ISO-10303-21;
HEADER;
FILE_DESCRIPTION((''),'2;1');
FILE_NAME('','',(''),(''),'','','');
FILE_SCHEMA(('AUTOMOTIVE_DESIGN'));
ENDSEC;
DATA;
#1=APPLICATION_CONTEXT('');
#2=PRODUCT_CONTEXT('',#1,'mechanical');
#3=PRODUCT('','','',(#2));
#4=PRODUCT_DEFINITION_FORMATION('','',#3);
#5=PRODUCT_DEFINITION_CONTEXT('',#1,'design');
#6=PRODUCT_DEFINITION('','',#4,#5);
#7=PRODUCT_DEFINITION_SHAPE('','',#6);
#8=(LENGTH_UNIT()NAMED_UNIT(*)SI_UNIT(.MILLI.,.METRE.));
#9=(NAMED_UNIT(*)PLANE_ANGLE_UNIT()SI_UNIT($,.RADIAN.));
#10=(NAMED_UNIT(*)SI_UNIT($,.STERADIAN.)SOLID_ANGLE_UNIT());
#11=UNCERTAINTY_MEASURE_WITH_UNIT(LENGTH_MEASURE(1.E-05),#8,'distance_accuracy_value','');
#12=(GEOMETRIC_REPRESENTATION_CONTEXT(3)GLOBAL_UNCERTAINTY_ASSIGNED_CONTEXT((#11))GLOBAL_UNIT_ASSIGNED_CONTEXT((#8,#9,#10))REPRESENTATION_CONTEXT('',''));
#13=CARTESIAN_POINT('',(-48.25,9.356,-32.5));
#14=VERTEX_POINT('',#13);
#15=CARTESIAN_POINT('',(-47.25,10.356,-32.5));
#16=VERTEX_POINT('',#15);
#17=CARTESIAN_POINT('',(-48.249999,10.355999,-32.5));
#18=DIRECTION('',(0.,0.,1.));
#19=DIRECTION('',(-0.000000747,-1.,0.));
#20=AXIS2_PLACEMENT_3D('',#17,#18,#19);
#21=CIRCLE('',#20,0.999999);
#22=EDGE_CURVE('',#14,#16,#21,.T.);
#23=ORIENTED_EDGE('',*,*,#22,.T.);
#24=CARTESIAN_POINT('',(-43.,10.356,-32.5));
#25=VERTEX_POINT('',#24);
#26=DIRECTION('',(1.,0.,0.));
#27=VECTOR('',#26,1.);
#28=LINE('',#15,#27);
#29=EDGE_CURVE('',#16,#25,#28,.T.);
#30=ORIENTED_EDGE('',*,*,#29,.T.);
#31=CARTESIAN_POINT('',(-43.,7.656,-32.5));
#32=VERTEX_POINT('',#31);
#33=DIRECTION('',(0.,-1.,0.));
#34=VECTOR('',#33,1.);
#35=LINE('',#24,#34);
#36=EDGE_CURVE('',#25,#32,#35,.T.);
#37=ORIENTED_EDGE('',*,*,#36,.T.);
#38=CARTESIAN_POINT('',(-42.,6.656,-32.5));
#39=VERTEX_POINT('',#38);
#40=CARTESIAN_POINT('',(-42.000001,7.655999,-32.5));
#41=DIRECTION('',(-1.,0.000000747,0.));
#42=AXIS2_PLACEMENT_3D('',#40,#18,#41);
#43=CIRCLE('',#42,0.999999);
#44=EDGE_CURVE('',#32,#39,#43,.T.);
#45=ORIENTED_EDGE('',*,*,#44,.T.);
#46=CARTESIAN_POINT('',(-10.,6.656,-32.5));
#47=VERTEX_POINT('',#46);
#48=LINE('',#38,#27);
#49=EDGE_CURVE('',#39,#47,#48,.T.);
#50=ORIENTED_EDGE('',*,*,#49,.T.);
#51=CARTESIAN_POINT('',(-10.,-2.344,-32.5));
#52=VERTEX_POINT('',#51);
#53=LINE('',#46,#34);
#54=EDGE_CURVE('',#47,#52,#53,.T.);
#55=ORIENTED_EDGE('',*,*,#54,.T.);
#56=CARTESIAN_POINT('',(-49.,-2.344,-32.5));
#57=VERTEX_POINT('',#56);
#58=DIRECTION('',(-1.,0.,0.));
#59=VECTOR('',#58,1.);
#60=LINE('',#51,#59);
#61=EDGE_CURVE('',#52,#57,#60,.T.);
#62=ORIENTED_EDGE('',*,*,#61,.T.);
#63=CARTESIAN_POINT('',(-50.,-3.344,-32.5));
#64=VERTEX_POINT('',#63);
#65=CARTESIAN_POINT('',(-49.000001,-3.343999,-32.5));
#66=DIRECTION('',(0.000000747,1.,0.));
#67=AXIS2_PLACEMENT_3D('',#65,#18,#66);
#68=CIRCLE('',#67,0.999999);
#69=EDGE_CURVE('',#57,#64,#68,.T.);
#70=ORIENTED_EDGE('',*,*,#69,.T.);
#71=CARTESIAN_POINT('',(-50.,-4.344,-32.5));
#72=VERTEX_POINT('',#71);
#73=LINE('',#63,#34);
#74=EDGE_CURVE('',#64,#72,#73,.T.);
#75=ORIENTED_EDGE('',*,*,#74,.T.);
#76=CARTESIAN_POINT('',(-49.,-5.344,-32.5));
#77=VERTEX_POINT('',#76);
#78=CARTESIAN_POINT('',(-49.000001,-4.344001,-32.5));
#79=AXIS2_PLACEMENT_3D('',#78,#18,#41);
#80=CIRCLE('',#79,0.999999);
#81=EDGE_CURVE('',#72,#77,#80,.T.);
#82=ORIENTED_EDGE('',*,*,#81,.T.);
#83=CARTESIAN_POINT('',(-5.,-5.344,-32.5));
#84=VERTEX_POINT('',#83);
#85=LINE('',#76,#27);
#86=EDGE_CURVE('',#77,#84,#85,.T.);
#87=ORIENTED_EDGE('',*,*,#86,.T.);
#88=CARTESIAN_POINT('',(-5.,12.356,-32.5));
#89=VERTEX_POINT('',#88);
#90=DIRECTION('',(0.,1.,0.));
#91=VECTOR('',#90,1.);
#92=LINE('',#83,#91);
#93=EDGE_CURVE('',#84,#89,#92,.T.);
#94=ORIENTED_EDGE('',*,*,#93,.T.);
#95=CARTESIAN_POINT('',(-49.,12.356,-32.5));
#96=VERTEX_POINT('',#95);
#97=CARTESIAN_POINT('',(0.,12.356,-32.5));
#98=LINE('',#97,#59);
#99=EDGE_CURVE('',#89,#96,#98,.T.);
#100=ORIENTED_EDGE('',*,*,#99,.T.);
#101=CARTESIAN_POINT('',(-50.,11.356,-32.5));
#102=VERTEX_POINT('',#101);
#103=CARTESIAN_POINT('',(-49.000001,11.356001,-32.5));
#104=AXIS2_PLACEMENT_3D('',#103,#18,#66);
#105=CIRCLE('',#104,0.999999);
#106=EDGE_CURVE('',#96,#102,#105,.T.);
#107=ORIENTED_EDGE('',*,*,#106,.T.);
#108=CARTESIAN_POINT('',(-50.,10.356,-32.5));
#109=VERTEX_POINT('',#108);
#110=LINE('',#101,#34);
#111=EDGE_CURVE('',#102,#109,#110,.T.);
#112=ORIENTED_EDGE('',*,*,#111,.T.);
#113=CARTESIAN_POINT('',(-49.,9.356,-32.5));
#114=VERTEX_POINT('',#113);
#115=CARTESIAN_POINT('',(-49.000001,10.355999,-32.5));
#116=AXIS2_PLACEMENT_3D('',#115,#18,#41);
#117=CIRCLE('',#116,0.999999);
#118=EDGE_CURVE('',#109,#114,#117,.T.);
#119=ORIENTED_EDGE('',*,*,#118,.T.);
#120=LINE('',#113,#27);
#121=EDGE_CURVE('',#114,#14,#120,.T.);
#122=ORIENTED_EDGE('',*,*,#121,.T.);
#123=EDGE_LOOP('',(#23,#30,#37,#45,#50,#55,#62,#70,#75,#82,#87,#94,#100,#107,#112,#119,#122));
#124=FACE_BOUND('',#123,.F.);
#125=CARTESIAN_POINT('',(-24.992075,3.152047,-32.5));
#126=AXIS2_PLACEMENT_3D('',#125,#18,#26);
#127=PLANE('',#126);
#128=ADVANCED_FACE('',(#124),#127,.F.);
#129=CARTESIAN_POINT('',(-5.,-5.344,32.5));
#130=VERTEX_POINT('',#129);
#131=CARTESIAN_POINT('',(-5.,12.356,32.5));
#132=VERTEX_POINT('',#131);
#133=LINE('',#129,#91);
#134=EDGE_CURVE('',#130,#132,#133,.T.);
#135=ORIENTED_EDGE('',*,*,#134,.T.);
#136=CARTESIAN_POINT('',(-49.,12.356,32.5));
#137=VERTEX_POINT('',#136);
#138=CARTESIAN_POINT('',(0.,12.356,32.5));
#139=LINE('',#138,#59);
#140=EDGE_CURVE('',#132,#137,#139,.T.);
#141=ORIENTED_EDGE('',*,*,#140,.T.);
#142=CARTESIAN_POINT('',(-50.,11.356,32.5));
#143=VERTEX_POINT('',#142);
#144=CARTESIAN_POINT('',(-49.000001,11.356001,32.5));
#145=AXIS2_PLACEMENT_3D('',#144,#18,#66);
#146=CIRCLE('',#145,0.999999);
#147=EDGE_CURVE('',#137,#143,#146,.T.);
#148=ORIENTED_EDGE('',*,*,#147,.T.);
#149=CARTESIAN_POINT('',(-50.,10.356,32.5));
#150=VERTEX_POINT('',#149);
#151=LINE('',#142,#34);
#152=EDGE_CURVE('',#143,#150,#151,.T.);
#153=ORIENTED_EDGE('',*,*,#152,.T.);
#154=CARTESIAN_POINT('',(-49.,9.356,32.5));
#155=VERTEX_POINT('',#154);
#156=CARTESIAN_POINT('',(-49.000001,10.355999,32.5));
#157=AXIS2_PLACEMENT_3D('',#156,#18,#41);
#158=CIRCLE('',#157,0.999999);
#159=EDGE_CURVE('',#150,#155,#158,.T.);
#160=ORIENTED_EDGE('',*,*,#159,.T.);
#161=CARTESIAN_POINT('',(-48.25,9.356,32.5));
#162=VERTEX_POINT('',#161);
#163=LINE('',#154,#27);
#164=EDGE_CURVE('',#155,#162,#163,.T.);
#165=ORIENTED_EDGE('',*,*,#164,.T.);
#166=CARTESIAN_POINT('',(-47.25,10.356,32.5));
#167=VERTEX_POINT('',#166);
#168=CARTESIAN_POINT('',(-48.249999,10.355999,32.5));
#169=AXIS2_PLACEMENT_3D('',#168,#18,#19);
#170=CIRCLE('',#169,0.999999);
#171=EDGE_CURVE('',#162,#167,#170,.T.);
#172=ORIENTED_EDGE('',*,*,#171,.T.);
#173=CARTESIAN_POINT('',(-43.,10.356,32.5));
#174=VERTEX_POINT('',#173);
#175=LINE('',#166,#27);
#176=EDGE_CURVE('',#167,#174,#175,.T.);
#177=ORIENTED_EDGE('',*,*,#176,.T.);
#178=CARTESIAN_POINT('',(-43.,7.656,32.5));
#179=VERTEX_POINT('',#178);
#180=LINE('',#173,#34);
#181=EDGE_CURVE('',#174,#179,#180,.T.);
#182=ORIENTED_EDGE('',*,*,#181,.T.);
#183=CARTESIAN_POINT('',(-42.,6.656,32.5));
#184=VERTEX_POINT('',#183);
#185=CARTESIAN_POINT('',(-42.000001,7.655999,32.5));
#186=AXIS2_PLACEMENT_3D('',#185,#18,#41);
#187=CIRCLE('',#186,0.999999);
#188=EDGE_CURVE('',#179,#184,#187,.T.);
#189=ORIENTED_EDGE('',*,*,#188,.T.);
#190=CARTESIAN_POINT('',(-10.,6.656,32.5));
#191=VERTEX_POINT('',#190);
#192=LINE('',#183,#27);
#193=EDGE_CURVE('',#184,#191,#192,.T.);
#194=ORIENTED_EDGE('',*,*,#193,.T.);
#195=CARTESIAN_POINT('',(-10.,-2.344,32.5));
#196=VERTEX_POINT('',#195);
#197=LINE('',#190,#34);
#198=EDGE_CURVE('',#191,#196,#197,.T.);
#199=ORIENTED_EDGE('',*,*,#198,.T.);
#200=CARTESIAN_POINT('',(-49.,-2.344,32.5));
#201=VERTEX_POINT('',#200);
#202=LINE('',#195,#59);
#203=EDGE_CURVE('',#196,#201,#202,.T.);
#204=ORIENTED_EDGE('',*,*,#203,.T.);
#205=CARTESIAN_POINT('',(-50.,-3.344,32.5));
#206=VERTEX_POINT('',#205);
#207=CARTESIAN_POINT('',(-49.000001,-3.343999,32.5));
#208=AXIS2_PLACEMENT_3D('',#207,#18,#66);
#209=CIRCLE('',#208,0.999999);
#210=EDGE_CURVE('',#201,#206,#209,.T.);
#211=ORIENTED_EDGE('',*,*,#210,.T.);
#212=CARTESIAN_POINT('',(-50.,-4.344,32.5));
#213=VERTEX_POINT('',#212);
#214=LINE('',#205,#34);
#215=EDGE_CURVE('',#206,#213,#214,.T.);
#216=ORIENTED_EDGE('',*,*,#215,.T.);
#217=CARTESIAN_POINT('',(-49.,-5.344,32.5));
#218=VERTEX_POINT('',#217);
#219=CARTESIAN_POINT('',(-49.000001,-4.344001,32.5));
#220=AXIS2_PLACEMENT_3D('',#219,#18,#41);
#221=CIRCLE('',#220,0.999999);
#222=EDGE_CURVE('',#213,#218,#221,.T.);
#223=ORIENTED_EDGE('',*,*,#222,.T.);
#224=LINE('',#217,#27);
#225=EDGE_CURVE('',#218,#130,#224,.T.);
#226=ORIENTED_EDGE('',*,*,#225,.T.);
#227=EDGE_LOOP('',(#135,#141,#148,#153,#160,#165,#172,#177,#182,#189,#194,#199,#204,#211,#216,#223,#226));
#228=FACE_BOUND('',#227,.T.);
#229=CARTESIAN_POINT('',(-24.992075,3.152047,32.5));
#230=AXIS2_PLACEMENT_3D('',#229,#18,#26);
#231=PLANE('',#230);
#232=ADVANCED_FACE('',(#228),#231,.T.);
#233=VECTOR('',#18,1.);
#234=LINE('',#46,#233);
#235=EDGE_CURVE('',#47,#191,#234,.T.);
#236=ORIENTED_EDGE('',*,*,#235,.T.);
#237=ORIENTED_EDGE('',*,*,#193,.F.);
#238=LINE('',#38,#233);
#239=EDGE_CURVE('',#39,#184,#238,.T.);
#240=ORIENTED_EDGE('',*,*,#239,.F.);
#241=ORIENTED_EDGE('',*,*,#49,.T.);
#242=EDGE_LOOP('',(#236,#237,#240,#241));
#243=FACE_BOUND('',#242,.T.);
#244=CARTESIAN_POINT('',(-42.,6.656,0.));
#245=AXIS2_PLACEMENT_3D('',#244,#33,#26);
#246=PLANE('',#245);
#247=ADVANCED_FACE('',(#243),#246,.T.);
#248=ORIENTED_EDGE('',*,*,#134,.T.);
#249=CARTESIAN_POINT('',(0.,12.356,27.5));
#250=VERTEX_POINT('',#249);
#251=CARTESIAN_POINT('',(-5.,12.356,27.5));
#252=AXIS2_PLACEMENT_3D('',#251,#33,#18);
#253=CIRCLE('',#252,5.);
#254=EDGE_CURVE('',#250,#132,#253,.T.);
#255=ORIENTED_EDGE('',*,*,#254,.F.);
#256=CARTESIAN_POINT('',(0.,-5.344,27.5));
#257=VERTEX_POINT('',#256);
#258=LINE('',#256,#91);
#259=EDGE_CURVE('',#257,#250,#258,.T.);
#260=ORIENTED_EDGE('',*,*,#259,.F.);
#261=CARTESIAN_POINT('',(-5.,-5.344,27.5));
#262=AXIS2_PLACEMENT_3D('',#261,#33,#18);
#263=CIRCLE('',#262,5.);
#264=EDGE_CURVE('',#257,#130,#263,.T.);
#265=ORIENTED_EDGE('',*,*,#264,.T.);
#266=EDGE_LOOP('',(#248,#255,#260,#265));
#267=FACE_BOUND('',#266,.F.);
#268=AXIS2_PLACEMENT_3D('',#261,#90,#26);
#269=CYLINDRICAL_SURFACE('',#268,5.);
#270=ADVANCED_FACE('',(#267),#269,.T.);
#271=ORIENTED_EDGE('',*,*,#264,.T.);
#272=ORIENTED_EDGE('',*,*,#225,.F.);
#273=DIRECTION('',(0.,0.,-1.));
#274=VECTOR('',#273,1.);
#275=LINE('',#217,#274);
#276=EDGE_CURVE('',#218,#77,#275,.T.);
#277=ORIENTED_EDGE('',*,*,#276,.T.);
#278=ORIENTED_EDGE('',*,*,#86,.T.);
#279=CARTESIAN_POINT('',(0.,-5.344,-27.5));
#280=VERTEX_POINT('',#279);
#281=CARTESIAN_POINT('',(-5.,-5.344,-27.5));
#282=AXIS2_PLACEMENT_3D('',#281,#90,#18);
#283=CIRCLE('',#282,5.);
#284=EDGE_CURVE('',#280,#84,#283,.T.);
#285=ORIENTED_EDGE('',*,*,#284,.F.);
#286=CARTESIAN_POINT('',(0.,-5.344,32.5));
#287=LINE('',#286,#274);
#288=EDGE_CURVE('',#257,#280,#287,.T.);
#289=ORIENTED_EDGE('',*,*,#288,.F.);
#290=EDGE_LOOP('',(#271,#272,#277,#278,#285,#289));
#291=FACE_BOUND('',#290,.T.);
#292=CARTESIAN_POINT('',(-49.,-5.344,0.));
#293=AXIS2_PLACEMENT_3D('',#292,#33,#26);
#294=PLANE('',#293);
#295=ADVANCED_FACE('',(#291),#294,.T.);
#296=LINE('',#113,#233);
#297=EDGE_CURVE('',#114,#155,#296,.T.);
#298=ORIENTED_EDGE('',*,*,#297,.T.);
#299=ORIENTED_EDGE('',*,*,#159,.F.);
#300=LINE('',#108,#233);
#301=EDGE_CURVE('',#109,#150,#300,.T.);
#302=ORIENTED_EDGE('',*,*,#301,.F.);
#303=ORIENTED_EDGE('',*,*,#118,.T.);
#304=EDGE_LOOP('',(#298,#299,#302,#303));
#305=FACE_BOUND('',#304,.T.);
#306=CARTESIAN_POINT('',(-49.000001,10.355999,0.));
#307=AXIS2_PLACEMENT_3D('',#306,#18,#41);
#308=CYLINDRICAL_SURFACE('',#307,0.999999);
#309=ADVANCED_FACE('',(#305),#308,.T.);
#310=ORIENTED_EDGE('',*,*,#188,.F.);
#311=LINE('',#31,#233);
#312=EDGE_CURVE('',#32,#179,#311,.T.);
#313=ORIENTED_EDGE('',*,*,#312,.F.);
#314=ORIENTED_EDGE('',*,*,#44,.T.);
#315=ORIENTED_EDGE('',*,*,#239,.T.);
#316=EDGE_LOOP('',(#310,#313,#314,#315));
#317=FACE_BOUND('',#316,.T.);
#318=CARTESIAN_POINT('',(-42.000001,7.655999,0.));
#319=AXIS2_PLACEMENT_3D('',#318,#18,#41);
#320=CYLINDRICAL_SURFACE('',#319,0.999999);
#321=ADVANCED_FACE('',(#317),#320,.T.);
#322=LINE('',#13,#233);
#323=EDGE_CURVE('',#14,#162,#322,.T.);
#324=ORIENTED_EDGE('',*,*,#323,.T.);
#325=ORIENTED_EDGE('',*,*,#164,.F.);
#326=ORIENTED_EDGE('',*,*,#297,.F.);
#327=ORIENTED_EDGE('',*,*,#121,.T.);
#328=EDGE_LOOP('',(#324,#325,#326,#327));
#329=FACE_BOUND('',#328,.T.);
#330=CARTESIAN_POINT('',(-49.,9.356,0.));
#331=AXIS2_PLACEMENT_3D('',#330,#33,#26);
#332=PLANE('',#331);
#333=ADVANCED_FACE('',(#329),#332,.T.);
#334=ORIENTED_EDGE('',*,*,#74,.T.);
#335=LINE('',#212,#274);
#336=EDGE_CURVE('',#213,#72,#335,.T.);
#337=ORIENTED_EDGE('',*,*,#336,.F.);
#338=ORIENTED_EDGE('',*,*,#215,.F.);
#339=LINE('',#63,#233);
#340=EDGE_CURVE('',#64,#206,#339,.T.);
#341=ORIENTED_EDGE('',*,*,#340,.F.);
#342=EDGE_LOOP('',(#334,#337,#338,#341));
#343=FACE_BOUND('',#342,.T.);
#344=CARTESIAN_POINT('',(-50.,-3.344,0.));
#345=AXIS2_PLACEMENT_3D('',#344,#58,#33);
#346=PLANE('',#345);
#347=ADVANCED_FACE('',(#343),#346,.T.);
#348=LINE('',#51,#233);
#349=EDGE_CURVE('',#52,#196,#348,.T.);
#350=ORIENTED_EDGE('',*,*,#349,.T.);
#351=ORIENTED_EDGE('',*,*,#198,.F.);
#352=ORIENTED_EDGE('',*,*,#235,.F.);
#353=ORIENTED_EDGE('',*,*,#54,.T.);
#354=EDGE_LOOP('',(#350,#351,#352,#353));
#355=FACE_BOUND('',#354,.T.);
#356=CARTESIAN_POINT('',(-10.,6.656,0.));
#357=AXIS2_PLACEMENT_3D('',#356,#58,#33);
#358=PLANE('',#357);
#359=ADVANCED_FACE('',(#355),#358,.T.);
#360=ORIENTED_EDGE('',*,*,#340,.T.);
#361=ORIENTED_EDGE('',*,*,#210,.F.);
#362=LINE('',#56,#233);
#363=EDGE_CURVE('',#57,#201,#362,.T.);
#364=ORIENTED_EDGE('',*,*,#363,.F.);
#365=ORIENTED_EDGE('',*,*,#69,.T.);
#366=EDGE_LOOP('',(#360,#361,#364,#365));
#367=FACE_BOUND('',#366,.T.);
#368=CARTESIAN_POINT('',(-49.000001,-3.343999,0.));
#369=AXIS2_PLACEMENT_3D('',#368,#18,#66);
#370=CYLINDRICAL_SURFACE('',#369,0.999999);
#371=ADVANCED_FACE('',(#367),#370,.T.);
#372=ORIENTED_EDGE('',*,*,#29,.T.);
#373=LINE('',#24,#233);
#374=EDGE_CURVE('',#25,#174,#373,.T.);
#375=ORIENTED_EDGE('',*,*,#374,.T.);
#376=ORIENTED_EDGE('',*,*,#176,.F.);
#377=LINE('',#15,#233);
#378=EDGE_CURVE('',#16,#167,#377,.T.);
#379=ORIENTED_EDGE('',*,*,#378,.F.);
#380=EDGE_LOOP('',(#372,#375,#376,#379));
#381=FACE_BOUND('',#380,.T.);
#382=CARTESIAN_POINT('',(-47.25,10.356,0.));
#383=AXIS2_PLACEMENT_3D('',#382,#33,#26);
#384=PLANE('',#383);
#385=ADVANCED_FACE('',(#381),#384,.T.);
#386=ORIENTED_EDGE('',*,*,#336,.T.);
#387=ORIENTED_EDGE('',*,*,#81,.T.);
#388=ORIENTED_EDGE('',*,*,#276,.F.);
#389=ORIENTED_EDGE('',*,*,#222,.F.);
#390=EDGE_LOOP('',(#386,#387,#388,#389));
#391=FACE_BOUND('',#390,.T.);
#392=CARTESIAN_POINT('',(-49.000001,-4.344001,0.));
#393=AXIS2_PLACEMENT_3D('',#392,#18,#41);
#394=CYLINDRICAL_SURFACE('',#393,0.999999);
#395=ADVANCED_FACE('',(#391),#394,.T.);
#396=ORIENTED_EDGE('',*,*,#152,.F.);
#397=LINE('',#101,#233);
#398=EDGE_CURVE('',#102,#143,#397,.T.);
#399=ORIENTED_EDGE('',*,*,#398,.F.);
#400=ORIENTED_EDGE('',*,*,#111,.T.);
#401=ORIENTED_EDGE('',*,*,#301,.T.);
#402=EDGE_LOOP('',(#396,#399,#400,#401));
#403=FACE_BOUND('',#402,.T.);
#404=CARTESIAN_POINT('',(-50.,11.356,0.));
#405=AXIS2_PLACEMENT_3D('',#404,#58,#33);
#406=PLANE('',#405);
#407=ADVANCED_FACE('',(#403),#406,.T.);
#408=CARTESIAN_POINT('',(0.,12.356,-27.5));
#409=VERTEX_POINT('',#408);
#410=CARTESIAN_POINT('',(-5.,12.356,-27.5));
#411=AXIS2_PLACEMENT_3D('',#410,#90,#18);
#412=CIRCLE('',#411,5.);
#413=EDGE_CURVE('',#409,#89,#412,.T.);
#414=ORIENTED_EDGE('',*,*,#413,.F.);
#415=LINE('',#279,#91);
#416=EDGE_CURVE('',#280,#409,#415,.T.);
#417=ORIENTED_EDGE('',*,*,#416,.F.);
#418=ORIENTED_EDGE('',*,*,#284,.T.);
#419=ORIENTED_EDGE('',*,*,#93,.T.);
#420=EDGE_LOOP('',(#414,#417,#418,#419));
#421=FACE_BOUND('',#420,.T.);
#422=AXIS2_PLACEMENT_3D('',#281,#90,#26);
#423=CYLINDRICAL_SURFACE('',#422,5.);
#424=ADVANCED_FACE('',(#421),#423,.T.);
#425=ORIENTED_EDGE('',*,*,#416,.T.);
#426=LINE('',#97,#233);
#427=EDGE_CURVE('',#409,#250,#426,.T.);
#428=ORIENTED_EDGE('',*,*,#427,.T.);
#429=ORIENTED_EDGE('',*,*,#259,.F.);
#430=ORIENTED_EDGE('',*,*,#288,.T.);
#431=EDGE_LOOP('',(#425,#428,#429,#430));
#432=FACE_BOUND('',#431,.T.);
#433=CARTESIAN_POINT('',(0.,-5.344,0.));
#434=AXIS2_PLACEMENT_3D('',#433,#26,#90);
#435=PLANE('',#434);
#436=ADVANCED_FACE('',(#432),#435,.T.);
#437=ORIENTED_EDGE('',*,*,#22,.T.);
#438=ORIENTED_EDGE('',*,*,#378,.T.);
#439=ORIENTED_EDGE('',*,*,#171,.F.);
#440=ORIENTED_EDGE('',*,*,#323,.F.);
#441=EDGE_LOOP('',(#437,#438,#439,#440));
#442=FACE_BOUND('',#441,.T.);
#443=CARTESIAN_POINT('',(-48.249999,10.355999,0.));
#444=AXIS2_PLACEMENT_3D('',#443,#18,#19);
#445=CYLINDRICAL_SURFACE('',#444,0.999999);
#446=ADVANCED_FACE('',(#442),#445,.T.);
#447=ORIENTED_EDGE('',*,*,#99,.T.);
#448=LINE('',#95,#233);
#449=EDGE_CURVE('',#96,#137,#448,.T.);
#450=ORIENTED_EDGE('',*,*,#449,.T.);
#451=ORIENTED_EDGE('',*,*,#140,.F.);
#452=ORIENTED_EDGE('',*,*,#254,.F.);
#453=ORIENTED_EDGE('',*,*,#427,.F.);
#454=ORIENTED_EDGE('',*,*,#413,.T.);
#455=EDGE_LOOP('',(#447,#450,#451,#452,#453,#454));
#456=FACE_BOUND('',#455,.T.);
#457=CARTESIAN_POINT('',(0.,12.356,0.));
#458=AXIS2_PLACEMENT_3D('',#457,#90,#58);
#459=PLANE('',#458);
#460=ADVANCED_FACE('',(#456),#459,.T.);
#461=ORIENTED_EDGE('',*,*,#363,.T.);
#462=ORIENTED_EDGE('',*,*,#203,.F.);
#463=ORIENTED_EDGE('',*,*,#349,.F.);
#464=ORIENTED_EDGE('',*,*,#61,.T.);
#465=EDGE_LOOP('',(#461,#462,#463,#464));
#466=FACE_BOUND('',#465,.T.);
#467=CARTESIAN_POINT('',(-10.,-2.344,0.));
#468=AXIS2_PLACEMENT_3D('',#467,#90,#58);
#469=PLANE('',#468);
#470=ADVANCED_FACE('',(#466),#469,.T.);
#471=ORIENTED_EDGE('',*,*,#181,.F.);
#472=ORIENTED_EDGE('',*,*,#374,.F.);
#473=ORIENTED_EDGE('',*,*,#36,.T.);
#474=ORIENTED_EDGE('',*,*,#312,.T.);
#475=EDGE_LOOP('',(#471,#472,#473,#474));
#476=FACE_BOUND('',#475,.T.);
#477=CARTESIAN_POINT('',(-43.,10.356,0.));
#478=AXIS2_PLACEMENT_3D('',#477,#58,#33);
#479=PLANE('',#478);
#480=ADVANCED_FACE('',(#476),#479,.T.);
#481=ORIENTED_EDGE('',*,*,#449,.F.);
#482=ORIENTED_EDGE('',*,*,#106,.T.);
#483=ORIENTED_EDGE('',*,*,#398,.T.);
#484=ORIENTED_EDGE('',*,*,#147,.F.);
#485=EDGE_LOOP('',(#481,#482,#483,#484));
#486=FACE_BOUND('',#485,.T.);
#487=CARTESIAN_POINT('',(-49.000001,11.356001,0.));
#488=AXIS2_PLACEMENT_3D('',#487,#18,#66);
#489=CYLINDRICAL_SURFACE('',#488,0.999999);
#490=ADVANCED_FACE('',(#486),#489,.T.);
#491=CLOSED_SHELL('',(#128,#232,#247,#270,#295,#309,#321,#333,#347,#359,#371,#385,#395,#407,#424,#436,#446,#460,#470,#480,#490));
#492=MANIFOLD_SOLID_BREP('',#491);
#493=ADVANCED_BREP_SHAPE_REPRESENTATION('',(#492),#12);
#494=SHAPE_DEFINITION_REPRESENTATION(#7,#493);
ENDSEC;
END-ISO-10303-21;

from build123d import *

# Parameters (mm, degrees)
F1_DEPTH = 32.5
F2_R     = 5


with BuildPart() as f1:
    # F0 (on Top) → F1 (new body, symmetric)
    with BuildSketch(Plane.XY):
        with BuildLine():
            Line((0, -5.344), (0, 12.356))
            Line((0, 12.356), (-49, 12.356))
            ThreePointArc((-49, 12.356), (-49.707107, 12.063107), (-50, 11.356))
            Line((-50, 11.356), (-50, 10.356))
            ThreePointArc((-50, 10.356), (-49.707107, 9.648893), (-49, 9.356))
            Line((-49, 9.356), (-48.25, 9.356))
            ThreePointArc((-48.25, 9.356), (-47.542893, 9.648893), (-47.25, 10.356))
            Line((-47.25, 10.356), (-43, 10.356))
            Line((-43, 10.356), (-43, 7.656))
            ThreePointArc((-43, 7.656), (-42.707107, 6.948893), (-42, 6.656))
            Line((-42, 6.656), (-10, 6.656))
            Line((-10, 6.656), (-10, -2.344))
            Line((-10, -2.344), (-49, -2.344))
            ThreePointArc((-49, -2.344), (-49.707107, -2.636893), (-50, -3.344))
            Line((-50, -3.344), (-50, -4.344))
            ThreePointArc((-50, -4.344), (-49.707107, -5.051107), (-49, -5.344))
            Line((-49, -5.344), (0, -5.344))
        make_face()
    extrude(amount=F1_DEPTH, both=True)

    # F2
    f2_edges = [f1.edges().sort_by_distance(p)[0] for p in [
        (0, 3.506, 32.5),
        (0, 3.506, -32.5),
    ]]
    fillet(f2_edges, radius=F2_R)


solid = f1.part
